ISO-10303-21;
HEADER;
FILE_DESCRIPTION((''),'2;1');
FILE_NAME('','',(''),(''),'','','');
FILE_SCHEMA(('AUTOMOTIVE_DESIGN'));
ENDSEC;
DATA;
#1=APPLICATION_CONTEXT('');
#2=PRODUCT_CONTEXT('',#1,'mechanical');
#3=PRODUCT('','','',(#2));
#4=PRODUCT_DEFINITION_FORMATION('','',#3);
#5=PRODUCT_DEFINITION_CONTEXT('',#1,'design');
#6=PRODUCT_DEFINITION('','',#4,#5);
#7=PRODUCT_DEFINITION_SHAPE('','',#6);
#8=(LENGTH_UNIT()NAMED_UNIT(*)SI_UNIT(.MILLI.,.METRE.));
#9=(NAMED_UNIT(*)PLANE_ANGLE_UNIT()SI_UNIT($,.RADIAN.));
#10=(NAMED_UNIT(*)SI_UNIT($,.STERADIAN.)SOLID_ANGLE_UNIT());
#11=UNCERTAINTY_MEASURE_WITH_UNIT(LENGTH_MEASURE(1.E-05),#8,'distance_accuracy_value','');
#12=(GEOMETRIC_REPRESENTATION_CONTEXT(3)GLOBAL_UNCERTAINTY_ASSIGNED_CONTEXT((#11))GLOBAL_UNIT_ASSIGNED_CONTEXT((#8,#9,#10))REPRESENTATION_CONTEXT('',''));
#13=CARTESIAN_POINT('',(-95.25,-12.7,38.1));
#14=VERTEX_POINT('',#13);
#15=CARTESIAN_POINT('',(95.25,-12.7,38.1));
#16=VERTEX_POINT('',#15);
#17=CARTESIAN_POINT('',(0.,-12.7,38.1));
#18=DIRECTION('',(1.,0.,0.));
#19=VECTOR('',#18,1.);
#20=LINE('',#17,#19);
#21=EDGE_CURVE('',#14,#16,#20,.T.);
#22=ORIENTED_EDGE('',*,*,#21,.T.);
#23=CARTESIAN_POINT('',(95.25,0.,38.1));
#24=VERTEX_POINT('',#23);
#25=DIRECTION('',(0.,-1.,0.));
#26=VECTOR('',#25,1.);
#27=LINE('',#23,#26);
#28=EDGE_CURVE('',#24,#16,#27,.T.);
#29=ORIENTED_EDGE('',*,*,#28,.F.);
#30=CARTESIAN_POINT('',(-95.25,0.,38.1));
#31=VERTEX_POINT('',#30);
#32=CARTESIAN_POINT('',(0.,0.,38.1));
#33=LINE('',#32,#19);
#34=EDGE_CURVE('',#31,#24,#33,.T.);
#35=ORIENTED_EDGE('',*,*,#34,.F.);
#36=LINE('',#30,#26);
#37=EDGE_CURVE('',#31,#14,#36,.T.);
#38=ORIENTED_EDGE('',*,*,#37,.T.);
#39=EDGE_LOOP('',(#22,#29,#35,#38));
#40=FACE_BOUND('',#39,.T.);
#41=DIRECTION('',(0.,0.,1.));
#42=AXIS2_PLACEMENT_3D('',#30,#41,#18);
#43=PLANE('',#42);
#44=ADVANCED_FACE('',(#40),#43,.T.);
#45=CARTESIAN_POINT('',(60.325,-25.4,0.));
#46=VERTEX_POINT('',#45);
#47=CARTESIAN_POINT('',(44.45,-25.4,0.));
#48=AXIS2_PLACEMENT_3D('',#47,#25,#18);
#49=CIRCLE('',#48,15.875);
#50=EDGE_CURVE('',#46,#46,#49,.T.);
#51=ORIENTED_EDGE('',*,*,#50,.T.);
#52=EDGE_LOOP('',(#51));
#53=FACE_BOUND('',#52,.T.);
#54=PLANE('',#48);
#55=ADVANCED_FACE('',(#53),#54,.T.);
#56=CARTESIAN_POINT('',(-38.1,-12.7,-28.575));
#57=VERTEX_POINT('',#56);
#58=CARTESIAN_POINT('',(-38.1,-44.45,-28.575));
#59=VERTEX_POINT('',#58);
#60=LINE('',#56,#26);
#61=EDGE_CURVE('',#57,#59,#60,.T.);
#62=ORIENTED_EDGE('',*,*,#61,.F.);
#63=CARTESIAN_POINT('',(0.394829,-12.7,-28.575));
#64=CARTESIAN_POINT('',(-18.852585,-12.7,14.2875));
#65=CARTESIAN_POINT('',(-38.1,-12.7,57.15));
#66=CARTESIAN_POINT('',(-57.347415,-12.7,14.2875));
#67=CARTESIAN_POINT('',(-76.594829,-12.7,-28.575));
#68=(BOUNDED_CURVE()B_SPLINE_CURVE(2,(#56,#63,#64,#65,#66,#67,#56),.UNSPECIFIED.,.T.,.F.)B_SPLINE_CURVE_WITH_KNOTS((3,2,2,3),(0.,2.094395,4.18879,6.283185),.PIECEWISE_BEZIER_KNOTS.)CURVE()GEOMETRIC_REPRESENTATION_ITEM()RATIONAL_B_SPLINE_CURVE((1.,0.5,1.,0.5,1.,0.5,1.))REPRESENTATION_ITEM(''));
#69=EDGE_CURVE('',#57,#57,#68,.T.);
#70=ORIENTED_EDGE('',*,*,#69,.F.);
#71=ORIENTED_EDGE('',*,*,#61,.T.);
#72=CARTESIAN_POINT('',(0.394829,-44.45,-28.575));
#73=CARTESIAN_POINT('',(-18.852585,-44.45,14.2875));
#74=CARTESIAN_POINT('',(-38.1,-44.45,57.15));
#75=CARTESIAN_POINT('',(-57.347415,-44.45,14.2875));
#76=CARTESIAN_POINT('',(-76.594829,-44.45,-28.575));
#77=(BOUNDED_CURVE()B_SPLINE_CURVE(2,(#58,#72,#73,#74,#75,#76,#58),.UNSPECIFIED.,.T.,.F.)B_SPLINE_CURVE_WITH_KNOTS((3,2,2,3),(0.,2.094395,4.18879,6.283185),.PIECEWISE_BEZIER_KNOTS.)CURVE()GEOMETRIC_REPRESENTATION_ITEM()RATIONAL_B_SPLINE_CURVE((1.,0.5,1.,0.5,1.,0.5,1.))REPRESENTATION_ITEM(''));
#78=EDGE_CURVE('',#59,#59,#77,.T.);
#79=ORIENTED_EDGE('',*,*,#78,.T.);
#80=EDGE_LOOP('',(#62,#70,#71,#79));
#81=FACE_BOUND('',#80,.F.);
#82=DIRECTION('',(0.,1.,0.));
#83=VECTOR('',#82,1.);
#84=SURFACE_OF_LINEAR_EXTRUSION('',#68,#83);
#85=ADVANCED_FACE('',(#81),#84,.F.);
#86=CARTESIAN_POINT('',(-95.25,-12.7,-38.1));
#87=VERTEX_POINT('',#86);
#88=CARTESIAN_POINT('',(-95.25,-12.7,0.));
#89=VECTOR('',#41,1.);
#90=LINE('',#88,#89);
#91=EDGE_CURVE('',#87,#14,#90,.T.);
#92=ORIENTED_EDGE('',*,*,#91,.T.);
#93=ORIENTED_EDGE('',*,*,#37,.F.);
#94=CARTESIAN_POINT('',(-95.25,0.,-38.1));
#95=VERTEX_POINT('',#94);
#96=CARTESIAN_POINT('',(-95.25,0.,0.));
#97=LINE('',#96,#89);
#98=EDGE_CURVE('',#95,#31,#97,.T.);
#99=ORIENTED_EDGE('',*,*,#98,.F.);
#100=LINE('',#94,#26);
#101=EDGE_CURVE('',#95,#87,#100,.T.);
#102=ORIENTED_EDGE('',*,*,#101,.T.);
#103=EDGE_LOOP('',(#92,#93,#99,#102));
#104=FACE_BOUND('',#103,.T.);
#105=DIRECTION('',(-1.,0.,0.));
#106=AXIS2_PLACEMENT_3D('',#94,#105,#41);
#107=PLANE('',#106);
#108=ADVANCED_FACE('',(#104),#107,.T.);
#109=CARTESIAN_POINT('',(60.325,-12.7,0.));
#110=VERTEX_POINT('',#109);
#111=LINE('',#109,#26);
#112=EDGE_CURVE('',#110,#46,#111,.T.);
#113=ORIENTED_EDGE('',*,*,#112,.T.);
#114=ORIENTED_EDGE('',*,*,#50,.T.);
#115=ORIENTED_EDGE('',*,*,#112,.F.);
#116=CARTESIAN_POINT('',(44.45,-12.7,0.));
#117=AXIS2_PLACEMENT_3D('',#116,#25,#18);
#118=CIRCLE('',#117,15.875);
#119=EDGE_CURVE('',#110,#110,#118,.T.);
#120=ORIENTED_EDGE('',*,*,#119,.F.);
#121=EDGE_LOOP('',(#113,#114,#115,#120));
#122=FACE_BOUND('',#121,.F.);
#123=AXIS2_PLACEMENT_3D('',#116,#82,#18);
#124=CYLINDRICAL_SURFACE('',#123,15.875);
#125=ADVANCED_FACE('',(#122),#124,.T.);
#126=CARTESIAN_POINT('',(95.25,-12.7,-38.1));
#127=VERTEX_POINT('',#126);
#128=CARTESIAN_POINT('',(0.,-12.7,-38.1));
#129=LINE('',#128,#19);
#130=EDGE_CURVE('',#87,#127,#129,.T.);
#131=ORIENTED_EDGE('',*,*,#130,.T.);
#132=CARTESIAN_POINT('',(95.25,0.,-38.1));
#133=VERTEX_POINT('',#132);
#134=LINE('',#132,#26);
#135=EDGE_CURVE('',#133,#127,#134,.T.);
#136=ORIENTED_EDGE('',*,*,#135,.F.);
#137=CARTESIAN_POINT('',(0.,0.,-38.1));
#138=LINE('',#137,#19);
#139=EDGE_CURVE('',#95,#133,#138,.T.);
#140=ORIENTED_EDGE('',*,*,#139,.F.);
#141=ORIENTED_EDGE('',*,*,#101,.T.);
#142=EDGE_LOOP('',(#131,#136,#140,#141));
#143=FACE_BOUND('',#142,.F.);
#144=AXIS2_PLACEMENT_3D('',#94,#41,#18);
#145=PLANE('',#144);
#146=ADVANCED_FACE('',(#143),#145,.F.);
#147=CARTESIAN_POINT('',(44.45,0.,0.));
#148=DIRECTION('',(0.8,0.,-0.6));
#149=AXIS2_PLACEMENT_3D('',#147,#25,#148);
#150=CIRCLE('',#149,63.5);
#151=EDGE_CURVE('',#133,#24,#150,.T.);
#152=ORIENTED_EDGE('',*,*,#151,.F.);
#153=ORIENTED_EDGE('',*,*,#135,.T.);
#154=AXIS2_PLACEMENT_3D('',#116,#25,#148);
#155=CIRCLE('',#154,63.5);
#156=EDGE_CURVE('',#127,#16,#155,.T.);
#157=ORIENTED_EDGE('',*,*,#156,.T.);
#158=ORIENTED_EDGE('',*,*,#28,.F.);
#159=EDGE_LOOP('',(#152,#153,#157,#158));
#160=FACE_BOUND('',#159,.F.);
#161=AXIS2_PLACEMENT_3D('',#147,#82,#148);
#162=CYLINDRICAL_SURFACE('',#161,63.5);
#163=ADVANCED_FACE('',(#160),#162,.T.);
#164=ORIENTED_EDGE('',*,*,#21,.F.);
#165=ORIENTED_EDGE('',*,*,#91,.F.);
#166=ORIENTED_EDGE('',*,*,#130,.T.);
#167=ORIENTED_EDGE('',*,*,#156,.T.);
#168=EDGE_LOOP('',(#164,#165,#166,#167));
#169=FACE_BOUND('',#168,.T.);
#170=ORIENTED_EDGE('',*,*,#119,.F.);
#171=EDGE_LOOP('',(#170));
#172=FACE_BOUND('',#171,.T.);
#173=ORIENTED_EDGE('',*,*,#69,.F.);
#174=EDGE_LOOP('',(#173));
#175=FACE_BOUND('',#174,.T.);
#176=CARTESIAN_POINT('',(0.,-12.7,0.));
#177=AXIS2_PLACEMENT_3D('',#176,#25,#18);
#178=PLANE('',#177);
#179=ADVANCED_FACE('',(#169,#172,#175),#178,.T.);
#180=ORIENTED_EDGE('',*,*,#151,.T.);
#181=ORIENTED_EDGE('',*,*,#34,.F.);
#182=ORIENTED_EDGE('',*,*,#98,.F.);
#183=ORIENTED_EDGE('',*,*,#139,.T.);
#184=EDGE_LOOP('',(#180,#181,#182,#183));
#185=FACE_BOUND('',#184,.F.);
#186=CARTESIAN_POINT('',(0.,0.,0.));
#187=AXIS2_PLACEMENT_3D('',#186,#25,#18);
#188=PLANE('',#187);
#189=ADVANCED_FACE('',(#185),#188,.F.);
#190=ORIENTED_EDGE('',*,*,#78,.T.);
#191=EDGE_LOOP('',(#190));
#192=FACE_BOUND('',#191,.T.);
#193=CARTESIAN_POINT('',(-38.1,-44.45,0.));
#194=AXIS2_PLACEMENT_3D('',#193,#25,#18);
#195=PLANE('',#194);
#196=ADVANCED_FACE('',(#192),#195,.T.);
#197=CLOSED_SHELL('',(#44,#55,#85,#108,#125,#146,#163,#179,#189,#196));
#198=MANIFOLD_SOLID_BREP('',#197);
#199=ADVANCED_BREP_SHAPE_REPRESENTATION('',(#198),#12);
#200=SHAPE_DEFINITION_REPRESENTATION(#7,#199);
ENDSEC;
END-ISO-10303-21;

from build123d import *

# Parameters (mm, degrees)
F0_W     = 190.5
F0_H     = 76.2
F1_DEPTH = 12.7
F3_DEPTH = 31.75
F4_R     = 15.875
F5_DEPTH = 12.7


with BuildPart() as f1:
    # F0 (on Front) → F1 (new body)
    with BuildSketch(Plane.XZ):
        Rectangle(F0_W, F0_H)
        with BuildLine():
            Line((95.25, 38.1), (95.25, -38.1))
            ThreePointArc((95.25, -38.1), (107.95, 0), (95.25, 38.1))
        make_face()
    extrude(amount=F1_DEPTH)

    # F2 (on face) → F3 (join)
    with BuildSketch(Plane.XZ.offset(12.7)):
        with BuildLine():
            add(Edge.make_bspline(
                [(-38.1, -28.575), (0.394829, -28.575), (-18.852585, 14.2875), (-38.1, 57.15), (-57.347415, 14.2875), (-76.594829, -28.575), (-38.1, -28.575)],
                knots=[0, 0, 0, 2.094395, 2.094395, 4.18879, 4.18879, 6.283185, 6.283185, 6.283185], degree=2, weights=[1, 0.5, 1, 0.5, 1, 0.5, 1]))
        make_face()
    extrude(amount=F3_DEPTH)

    # F4 (on face) → F5 (join)
    with BuildSketch(Plane.XZ.offset(12.7)):
        with Locations((44.45, 0)):
            Circle(F4_R)
    extrude(amount=F5_DEPTH)


solid = f1.part
